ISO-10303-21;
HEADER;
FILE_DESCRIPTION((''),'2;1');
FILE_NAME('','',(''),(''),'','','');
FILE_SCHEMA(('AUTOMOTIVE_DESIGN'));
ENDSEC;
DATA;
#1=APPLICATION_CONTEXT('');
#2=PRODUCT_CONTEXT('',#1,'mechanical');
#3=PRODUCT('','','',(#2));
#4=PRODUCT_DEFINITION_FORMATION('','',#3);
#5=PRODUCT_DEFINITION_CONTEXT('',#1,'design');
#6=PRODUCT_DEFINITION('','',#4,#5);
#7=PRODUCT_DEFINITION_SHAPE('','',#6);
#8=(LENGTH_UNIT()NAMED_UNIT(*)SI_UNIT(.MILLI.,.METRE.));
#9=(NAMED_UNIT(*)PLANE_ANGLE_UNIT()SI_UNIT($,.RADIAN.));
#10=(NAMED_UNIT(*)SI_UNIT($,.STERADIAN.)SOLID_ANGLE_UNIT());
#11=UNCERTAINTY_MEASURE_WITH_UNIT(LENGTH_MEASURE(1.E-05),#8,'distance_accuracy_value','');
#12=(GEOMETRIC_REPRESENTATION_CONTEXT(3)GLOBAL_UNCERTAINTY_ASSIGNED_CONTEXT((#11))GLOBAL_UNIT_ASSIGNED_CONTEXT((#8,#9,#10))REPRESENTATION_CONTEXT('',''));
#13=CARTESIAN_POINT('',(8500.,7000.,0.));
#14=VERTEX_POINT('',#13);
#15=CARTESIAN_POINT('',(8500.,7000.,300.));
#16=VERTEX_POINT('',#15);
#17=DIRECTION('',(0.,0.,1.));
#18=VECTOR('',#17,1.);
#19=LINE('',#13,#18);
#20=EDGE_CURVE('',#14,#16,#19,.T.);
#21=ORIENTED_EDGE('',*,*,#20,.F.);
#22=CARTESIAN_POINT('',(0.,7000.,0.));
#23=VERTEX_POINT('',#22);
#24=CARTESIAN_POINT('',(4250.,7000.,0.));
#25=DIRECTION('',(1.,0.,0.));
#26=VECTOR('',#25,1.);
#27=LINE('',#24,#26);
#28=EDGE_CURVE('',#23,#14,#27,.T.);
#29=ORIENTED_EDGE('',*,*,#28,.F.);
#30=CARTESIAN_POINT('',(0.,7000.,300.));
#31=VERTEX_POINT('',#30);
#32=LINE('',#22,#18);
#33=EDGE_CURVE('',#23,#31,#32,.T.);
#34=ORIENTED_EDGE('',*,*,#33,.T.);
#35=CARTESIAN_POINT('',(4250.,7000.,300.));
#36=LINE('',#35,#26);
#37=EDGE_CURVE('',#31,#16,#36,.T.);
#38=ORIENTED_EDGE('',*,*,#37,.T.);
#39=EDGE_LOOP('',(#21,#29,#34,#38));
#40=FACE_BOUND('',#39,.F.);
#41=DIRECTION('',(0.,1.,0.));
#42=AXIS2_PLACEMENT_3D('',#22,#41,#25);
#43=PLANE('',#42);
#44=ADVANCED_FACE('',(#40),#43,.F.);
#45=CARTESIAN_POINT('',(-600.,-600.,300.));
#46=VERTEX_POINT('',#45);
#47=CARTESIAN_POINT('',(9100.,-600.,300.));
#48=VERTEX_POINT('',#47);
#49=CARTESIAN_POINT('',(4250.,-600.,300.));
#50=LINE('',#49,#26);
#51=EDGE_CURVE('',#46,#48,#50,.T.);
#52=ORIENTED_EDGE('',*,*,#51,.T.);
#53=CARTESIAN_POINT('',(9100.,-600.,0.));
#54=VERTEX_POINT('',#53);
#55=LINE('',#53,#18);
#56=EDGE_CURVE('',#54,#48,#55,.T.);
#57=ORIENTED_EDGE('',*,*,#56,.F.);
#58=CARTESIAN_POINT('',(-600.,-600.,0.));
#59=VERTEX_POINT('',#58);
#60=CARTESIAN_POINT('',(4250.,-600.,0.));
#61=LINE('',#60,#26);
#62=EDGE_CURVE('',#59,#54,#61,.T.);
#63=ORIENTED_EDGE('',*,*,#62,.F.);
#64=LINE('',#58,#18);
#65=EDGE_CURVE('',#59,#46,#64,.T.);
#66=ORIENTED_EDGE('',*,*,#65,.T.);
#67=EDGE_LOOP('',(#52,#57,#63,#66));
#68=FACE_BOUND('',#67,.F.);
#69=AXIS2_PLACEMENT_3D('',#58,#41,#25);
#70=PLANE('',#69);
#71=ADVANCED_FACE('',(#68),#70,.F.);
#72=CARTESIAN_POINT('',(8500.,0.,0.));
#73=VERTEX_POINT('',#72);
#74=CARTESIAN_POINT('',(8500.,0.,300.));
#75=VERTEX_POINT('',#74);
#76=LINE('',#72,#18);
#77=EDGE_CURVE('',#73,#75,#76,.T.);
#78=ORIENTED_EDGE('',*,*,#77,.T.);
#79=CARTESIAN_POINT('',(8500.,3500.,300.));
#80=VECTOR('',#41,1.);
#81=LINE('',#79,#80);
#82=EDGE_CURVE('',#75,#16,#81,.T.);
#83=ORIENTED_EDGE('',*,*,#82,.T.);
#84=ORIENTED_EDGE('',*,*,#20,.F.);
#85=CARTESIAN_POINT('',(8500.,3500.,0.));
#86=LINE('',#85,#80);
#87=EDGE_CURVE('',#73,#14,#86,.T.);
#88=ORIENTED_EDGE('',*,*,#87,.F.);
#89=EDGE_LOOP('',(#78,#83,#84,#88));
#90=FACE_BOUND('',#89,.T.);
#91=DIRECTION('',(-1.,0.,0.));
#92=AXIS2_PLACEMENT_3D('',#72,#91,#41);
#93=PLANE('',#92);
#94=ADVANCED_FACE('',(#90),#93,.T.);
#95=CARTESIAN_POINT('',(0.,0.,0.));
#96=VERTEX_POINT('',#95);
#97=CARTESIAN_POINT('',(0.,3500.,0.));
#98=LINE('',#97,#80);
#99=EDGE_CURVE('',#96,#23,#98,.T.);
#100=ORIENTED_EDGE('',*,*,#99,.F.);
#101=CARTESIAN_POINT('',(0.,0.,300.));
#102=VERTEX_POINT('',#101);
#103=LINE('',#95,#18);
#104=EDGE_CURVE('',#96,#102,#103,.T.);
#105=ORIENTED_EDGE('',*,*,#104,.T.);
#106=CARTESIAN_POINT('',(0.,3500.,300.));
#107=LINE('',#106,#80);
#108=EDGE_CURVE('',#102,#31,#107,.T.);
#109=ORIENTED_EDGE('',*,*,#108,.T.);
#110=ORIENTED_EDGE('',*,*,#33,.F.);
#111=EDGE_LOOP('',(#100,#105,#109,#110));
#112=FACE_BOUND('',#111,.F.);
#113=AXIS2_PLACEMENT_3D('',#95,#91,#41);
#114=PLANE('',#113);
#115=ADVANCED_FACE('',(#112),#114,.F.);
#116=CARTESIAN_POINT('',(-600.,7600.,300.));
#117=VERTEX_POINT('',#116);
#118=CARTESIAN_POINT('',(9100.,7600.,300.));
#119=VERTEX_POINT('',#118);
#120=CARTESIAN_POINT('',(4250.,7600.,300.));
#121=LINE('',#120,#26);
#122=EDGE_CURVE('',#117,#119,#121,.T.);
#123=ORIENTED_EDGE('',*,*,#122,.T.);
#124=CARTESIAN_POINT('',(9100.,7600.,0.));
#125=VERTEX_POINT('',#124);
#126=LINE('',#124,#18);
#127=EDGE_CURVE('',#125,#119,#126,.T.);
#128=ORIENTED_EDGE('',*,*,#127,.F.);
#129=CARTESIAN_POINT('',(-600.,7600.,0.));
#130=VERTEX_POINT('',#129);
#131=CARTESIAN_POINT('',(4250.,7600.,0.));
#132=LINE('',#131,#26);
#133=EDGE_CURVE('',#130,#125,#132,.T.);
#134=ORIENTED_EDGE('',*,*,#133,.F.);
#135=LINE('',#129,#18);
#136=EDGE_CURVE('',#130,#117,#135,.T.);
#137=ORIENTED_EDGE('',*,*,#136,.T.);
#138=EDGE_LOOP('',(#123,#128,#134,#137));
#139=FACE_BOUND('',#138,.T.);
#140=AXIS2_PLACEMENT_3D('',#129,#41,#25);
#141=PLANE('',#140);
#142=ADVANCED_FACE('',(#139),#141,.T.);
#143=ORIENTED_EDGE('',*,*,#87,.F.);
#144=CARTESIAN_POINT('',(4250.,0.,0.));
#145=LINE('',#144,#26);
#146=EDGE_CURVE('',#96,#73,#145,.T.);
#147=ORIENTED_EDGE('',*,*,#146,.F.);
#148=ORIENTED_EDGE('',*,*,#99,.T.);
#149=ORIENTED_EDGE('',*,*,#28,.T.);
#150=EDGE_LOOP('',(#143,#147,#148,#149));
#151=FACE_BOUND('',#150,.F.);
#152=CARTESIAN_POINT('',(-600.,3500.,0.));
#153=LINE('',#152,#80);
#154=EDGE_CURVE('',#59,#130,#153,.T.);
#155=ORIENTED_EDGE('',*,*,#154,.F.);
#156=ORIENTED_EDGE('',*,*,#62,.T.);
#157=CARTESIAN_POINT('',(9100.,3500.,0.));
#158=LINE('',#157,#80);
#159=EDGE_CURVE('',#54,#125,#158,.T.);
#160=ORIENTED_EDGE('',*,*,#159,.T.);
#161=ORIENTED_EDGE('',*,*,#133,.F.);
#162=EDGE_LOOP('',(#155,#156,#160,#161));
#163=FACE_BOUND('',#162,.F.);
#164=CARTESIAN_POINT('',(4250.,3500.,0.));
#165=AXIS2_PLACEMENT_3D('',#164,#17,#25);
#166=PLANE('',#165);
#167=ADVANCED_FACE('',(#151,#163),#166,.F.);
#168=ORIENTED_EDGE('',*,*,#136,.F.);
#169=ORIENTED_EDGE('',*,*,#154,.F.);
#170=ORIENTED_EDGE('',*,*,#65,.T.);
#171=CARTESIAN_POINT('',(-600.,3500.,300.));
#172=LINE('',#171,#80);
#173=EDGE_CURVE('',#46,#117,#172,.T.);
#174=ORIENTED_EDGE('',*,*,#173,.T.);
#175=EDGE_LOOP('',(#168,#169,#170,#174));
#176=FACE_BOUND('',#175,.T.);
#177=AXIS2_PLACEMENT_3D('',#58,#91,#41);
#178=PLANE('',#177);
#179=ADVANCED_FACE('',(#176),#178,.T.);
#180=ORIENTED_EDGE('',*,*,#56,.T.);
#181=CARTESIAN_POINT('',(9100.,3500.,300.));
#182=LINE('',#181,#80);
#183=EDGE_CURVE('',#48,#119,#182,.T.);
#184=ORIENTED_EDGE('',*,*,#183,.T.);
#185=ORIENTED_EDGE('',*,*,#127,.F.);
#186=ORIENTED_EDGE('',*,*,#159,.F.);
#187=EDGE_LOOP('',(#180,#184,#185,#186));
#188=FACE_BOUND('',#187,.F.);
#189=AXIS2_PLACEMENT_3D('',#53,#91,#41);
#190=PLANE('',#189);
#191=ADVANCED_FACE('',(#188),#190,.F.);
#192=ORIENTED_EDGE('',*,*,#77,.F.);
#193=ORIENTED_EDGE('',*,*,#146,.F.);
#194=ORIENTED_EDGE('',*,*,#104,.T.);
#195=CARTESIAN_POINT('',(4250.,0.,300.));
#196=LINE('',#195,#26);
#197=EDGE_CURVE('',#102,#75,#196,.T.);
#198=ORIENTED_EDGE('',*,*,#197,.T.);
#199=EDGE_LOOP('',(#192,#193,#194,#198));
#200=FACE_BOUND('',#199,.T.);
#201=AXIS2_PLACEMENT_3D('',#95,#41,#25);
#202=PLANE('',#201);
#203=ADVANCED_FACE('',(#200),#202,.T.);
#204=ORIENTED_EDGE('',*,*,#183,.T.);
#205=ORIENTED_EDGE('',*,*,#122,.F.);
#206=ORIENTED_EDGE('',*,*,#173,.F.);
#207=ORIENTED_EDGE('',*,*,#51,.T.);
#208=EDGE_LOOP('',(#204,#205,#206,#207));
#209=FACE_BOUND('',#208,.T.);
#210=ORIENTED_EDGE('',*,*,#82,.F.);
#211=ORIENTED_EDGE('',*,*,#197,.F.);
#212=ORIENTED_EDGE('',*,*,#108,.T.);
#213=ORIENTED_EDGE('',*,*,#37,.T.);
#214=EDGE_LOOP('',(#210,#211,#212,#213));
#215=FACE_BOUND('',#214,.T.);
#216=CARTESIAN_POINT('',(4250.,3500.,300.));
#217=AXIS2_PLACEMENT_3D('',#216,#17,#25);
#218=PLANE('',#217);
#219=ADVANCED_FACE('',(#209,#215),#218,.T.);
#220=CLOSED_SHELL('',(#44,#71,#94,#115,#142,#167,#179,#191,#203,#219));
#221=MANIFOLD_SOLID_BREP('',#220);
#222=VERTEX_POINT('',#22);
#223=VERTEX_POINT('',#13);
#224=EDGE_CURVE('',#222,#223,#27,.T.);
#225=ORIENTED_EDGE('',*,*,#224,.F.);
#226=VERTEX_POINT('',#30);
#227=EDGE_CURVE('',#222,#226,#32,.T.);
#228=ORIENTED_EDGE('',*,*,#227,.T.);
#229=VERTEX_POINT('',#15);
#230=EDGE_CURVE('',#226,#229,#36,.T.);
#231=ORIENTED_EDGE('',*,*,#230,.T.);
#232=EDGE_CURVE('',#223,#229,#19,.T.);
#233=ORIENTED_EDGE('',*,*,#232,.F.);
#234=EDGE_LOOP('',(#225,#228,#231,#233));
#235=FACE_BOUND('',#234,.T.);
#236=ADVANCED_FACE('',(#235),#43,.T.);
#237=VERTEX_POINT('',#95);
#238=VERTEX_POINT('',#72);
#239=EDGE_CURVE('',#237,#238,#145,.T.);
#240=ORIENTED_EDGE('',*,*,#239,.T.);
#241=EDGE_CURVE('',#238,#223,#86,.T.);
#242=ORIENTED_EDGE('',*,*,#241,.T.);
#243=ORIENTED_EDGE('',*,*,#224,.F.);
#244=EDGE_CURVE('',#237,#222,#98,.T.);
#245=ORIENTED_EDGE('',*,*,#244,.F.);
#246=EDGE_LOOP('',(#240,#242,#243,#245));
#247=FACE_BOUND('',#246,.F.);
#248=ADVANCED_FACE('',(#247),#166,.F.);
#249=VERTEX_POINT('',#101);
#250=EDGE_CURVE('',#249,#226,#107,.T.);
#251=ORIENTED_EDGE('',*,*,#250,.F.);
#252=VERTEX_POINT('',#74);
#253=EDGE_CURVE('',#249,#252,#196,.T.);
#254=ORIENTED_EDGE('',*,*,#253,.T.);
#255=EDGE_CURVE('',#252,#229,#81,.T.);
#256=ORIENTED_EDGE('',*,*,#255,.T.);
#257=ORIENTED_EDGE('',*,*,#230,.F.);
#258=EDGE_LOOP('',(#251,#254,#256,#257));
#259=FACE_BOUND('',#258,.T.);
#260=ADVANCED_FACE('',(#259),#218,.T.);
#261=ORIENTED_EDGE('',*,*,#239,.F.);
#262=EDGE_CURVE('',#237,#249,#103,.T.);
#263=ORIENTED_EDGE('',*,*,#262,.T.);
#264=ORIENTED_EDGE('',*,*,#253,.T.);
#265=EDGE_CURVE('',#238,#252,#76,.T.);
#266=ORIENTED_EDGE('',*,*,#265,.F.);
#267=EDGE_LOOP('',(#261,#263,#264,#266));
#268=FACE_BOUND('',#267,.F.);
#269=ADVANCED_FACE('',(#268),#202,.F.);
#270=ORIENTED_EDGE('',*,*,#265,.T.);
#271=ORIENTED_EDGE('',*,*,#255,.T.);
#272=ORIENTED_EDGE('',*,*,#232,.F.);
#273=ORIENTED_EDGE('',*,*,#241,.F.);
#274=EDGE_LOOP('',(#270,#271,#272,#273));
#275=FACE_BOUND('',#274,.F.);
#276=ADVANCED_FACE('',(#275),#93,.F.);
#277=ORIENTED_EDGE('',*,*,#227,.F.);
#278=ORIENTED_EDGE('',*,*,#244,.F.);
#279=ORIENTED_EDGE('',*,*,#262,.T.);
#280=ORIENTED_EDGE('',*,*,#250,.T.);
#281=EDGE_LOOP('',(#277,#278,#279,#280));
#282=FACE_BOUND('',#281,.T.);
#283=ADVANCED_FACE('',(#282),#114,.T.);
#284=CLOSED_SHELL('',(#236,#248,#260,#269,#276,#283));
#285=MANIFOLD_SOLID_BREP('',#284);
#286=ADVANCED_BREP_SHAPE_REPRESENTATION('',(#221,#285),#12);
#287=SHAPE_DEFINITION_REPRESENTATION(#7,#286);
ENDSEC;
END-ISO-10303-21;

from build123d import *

# Parameters (mm, degrees)
F0_W     = 8500
F0_H     = 7000
F1_DEPTH = 300
F2_W     = 9700
F2_H     = 8200
F2_W_2   = 8500
F2_H_2   = 7000
F3_DEPTH = 300


with BuildPart() as f1:
    # F0 (on Top) → F1 (new body)
    with BuildSketch(Plane.XY):
        with Locations((4250, 3500)):
            Rectangle(F0_W, F0_H)
    extrude(amount=F1_DEPTH)


with BuildPart() as f3:
    # F2 (on Top) → F3 (new body, through all)
    with BuildSketch(Plane.XY):
        with Locations((4250, 3500)):
            Rectangle(F2_W, F2_H)
        with Locations((4250, 3500)):
            Rectangle(F2_W_2, F2_H_2, mode=Mode.SUBTRACT)
    extrude(amount=F3_DEPTH)


solid = Compound([f1.part, f3.part])
